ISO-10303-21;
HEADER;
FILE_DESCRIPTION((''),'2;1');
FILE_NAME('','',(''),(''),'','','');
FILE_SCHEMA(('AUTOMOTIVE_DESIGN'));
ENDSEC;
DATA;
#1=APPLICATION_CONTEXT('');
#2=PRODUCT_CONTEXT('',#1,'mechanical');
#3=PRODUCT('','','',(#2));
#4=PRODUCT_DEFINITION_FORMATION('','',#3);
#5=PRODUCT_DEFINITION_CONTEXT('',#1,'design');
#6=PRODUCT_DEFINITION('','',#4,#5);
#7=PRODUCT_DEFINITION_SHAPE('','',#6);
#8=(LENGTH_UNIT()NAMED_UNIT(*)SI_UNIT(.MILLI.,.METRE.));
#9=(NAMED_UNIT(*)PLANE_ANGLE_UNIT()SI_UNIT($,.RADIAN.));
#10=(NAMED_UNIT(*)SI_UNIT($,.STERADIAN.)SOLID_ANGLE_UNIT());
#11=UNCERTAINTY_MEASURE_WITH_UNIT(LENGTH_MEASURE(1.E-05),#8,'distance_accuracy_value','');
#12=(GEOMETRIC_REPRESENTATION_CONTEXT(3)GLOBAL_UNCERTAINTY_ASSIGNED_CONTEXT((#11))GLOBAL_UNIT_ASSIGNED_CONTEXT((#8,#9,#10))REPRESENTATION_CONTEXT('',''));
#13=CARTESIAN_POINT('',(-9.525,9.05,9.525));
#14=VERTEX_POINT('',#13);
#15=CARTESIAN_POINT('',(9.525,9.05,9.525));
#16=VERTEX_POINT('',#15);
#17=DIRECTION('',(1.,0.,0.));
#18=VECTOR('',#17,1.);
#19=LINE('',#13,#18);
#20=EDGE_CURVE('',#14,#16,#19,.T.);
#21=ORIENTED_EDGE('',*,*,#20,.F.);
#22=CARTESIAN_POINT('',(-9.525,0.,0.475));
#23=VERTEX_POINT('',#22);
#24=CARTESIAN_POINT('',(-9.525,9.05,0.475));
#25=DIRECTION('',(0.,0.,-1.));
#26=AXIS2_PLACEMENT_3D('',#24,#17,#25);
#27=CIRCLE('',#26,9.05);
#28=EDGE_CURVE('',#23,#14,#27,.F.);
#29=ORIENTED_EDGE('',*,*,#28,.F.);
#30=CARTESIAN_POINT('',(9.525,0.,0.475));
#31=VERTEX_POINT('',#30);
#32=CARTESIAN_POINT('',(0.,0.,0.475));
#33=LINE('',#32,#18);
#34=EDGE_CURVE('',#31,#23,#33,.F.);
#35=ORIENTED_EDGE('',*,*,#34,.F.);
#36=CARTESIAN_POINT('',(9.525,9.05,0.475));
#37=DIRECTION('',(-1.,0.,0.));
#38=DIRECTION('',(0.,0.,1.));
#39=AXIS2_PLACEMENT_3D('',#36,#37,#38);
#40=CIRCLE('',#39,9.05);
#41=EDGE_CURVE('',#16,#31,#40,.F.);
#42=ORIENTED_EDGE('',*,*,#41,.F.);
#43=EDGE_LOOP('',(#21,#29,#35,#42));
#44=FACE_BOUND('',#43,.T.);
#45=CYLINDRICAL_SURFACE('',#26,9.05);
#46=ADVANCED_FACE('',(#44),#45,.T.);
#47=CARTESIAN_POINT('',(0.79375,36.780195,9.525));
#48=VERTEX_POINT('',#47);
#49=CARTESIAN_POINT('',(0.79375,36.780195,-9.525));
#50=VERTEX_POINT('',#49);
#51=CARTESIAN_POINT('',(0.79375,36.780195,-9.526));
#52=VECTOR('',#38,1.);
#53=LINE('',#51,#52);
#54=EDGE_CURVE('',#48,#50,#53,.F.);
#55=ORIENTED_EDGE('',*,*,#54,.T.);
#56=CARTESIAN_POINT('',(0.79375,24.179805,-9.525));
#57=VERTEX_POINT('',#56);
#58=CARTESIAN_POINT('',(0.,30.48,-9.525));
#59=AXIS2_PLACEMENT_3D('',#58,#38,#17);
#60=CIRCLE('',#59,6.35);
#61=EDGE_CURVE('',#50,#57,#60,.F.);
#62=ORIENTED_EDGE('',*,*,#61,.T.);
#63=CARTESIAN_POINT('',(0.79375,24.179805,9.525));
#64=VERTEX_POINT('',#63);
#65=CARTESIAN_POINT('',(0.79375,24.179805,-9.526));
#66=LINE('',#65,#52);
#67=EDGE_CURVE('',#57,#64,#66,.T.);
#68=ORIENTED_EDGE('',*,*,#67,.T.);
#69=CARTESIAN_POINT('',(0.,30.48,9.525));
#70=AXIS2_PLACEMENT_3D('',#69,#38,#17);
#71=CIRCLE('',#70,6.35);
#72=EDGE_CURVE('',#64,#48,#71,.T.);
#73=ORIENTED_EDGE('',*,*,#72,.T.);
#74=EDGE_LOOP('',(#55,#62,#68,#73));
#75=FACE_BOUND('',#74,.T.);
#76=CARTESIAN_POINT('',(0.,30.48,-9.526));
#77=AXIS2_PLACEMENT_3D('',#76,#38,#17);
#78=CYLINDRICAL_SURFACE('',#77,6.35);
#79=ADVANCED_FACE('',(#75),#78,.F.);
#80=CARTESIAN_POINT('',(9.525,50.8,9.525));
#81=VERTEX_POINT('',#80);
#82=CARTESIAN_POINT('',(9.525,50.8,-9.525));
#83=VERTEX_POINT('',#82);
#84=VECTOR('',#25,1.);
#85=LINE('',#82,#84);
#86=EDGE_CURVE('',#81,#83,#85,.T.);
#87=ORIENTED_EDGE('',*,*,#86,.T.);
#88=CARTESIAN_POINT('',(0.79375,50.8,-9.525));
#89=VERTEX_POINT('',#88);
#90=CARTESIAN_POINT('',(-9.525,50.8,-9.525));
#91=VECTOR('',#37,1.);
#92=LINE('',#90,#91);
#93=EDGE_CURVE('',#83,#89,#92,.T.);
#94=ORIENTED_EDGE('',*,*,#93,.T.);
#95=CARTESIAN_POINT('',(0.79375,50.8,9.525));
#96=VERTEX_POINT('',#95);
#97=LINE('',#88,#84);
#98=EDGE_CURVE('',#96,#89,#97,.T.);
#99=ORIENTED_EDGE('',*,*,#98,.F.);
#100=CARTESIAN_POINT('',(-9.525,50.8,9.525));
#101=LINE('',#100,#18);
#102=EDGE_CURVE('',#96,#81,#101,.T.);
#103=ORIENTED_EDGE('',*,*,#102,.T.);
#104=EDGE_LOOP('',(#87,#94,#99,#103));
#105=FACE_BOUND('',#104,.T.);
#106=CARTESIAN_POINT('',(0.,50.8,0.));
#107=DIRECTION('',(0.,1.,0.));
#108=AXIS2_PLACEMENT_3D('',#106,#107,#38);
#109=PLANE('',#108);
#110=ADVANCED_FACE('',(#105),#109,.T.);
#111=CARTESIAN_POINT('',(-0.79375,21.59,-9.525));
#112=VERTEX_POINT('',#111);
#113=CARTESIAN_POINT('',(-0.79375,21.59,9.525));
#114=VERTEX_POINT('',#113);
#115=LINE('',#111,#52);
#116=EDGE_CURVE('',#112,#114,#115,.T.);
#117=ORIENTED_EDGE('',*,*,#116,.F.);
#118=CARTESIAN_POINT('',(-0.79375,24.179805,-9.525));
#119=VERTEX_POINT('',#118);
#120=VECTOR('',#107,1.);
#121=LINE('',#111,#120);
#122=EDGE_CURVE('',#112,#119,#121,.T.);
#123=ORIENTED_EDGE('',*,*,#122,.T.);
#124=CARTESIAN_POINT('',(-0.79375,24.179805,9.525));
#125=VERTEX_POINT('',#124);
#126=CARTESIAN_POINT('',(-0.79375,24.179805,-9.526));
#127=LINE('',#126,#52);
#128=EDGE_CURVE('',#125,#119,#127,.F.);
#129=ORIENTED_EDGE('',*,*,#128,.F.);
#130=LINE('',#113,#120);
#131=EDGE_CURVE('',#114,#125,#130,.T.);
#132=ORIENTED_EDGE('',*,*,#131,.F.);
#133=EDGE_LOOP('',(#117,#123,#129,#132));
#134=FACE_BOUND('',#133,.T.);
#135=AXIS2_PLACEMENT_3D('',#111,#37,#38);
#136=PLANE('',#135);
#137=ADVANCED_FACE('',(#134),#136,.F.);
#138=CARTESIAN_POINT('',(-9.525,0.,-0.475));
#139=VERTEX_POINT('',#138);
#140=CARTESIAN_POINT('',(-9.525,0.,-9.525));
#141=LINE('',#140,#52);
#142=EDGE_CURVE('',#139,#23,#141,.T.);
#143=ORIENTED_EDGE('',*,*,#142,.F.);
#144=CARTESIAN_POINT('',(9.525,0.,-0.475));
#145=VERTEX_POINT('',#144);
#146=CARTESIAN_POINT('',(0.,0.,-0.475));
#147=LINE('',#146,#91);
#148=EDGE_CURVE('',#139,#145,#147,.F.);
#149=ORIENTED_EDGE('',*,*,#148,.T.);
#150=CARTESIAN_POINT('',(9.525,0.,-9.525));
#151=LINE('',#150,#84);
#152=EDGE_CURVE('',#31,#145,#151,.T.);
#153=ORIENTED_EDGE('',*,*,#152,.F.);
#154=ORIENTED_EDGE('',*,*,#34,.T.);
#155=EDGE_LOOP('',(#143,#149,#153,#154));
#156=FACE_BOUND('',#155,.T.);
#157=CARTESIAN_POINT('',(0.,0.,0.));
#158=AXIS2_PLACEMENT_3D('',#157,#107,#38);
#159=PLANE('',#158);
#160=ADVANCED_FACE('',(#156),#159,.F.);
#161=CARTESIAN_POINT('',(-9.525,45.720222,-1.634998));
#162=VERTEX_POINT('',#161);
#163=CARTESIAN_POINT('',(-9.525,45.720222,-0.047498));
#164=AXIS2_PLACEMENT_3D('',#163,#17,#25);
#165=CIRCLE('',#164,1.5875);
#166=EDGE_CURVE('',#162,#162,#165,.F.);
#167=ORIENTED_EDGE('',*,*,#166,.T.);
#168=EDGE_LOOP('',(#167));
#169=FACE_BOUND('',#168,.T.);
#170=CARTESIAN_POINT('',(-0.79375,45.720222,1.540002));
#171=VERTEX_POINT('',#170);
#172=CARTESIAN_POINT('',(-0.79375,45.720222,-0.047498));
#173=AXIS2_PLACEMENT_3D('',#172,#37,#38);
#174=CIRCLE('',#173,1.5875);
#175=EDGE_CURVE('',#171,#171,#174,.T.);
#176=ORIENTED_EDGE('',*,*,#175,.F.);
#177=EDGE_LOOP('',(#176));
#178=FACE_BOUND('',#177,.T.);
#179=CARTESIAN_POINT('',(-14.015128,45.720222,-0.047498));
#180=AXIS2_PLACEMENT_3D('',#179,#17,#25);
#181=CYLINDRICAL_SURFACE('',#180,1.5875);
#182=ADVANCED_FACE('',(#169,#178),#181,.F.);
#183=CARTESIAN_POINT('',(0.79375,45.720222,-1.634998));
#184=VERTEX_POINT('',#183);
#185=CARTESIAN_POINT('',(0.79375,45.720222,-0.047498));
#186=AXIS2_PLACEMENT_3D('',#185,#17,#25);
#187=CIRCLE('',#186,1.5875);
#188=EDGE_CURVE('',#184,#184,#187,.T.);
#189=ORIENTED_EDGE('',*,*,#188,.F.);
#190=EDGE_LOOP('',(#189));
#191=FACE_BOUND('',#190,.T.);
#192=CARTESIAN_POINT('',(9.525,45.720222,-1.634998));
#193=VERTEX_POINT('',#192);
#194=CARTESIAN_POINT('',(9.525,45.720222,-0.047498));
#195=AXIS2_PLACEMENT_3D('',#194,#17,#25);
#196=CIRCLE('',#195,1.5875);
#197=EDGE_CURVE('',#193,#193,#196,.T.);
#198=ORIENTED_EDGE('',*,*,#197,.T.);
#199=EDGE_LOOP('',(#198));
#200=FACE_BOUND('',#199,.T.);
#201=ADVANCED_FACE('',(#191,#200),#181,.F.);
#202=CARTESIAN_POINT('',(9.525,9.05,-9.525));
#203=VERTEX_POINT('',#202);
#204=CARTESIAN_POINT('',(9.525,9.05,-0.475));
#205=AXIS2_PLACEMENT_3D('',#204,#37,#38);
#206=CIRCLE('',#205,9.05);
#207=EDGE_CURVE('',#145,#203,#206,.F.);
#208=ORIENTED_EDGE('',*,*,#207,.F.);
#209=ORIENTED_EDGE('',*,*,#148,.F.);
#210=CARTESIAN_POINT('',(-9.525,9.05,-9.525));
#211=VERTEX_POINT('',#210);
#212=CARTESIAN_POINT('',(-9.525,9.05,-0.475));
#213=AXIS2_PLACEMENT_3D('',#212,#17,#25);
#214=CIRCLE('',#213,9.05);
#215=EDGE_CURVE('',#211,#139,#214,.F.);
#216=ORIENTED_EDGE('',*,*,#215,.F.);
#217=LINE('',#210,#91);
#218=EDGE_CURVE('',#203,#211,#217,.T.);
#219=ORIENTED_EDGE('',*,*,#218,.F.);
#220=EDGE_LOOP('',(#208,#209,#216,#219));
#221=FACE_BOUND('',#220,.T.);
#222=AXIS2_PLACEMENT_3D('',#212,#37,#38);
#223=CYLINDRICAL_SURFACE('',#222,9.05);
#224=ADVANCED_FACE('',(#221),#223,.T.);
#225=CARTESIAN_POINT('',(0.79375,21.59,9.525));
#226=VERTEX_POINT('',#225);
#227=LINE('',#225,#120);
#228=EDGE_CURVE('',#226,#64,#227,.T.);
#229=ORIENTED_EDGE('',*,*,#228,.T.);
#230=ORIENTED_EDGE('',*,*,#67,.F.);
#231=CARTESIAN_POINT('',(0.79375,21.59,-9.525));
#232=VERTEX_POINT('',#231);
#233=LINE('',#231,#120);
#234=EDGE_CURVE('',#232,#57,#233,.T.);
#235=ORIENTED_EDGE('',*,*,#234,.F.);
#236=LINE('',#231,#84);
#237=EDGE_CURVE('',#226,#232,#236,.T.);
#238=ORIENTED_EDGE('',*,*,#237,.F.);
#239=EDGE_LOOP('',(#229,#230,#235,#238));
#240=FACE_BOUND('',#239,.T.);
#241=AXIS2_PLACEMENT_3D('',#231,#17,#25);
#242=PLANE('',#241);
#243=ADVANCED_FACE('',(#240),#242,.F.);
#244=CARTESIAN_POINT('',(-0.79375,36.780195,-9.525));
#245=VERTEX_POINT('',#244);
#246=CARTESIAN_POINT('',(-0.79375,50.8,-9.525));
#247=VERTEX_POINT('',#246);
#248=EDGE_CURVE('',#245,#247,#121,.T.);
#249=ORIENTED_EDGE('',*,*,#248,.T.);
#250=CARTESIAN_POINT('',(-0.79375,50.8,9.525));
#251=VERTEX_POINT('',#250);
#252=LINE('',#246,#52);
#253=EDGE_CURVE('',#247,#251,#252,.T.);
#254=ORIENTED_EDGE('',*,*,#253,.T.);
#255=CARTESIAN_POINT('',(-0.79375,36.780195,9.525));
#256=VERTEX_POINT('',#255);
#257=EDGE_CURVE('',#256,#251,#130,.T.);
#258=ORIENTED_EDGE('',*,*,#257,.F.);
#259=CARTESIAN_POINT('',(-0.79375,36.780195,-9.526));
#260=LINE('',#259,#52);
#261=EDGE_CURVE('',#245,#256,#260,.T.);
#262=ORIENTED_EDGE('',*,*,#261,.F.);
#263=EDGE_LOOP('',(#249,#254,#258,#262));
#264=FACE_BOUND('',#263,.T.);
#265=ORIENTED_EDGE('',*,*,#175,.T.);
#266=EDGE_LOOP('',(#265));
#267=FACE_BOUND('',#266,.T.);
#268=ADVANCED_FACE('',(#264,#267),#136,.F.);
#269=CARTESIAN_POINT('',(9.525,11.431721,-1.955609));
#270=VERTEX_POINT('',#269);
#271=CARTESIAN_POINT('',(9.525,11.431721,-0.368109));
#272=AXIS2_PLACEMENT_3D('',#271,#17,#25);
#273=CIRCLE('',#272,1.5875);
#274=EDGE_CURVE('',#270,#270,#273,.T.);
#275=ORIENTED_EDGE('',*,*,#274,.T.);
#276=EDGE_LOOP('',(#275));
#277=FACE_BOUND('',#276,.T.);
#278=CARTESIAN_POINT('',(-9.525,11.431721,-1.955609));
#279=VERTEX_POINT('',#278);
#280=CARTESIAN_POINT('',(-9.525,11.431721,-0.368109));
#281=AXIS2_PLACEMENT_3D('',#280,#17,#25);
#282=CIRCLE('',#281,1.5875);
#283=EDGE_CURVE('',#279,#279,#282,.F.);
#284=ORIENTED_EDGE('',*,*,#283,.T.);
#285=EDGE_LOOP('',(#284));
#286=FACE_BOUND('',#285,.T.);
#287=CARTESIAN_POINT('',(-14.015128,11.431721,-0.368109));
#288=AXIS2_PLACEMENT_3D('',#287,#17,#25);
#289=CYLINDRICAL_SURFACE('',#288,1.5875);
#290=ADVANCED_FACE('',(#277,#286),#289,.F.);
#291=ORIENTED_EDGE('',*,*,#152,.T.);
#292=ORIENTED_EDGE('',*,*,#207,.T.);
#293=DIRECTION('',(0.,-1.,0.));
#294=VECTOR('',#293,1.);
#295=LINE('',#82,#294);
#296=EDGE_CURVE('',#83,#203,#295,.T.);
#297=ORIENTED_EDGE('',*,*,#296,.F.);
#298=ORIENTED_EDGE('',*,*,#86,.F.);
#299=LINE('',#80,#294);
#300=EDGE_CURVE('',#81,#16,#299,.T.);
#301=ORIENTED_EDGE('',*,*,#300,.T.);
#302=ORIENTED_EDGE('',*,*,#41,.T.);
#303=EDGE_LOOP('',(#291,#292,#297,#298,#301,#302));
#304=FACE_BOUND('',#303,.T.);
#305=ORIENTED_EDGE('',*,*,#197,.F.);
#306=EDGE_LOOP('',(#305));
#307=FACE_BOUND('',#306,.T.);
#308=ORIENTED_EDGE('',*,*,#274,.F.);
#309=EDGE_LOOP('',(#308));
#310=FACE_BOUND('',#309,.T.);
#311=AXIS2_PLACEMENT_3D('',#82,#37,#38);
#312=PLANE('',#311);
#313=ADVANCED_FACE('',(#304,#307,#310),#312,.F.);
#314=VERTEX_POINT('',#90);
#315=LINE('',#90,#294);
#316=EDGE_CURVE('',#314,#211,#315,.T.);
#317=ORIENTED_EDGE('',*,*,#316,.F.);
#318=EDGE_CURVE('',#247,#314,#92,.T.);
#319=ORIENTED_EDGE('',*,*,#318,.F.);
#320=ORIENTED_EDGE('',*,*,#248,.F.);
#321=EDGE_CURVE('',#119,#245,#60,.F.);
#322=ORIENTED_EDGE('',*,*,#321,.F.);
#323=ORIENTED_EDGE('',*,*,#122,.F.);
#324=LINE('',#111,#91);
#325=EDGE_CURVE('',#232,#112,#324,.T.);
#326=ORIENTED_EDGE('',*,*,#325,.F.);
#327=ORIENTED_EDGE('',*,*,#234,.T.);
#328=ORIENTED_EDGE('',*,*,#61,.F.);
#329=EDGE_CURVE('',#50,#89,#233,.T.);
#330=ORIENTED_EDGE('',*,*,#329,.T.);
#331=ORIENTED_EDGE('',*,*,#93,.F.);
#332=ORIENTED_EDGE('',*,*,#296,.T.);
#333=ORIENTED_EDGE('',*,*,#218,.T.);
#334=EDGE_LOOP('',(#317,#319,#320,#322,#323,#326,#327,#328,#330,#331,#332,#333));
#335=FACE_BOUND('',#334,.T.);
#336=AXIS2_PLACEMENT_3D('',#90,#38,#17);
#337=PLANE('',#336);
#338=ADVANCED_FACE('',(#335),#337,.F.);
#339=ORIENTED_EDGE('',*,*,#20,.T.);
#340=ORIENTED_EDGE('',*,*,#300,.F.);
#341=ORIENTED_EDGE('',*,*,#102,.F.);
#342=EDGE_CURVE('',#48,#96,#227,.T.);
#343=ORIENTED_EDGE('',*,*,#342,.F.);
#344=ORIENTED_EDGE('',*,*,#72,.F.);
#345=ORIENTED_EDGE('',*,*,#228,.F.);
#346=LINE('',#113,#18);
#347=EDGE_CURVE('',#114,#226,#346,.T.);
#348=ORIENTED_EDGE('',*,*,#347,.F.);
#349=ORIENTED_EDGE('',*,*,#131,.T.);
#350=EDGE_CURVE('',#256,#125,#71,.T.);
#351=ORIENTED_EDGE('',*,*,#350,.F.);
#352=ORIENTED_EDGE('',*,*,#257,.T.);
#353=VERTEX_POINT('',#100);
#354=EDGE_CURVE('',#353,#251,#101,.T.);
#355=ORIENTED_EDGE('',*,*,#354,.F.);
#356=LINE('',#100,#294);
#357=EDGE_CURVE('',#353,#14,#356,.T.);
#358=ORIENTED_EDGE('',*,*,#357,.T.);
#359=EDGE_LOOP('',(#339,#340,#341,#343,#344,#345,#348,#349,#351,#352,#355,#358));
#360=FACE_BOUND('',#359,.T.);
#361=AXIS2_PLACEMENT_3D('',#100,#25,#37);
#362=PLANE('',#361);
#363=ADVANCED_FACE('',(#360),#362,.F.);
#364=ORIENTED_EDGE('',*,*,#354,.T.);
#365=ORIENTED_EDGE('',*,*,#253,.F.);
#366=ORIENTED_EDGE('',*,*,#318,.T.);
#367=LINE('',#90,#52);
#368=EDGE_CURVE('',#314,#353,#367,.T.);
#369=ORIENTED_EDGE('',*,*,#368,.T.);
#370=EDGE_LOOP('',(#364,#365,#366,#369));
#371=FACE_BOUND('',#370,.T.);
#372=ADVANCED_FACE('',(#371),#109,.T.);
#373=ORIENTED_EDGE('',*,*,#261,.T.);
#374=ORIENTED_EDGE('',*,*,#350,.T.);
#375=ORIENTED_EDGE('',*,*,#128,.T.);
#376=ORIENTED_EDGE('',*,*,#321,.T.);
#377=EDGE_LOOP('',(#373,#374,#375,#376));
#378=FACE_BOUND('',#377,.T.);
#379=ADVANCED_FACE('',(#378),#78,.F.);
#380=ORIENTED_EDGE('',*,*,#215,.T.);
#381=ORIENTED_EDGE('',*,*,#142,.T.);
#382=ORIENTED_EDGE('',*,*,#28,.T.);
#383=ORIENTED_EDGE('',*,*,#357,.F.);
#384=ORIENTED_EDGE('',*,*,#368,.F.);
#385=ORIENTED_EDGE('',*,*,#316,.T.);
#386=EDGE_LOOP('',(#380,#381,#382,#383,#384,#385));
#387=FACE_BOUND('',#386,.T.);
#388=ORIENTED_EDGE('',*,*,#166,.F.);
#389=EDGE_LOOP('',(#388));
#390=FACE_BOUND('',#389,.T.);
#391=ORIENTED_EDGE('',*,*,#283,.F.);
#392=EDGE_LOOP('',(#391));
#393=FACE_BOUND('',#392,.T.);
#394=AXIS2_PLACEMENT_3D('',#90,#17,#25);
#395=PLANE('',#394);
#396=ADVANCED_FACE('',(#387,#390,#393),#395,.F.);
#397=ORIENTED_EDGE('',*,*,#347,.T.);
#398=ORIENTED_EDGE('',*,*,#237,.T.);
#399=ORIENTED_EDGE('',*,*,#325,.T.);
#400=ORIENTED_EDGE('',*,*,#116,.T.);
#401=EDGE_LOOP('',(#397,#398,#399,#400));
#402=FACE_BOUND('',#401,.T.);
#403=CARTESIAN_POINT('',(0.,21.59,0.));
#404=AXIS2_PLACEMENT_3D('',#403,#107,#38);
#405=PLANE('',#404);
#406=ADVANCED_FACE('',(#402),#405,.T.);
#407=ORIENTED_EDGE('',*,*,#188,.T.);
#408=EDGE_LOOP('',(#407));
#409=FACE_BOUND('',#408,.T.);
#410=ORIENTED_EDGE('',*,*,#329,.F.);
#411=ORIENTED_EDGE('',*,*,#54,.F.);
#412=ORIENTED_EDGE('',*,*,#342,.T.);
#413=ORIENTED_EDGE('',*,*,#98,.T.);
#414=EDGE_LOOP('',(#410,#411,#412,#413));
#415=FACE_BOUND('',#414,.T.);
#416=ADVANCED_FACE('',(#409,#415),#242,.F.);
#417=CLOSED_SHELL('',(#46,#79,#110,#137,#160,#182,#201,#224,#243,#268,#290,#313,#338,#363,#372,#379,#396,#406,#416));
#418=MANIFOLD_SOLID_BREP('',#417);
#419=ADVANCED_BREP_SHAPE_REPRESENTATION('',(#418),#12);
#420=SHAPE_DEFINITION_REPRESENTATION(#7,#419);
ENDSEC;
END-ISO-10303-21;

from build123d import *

# Parameters (mm, degrees)
SKETCH1_W           = 19.05
SKETCH1_H           = 19.05
BOSS_EXTRUDE1_DEPTH = 50.8
SKETCH4_W           = 1.5875
SKETCH4_H           = 19.05
CUT_EXTRUDE1_DEPTH  = 29.21
CUT_EXTRUDE2_START  = -19.05
SKETCH5_R           = 6.35
CUT_EXTRUDE2_DEPTH  = 19.05
FILLET3_R           = 9.05
SKETCH6_R           = 1.5875
CUT_EXTRUDE3_DEPTH  = 19.05


with BuildPart() as part:
    # Sketch1 → Boss-Extrude1 (new body)
    with BuildSketch(Plane(origin=(0, 0, 0), x_dir=(1, 0, 0), z_dir=(0, 1, 0))):
        Rectangle(SKETCH1_W, SKETCH1_H)
    extrude(amount=BOSS_EXTRUDE1_DEPTH)

    # Sketch4 → Cut-Extrude1 (cut)
    with BuildSketch(Plane(origin=(0, 50.8, 0), x_dir=(1, 0, 0), z_dir=(0, 1, 0))):
        Rectangle(SKETCH4_W, SKETCH4_H)
    extrude(amount=-CUT_EXTRUDE1_DEPTH, mode=Mode.SUBTRACT)

    # Sketch5 → Cut-Extrude2 (cut)
    with BuildSketch(Plane.XY.offset(9.525).offset(CUT_EXTRUDE2_START)):
        with Locations((0, 30.48)):
            Circle(SKETCH5_R)
    extrude(amount=CUT_EXTRUDE2_DEPTH, mode=Mode.SUBTRACT)

    # Fillet3
    fillet3_edges = [part.edges().sort_by_distance(p)[0] for p in [
        (0, 0, 9.525),
        (0, 0, -9.525),
    ]]
    fillet(fillet3_edges, radius=FILLET3_R)

    # Sketch6 → Cut-Extrude3 (cut)
    with BuildSketch(Plane(origin=(9.525, 0, 0), x_dir=(0, 0, -1), z_dir=(1, 0, 0))):
        with Locations((0.047497924, 45.720222057)):
            Circle(SKETCH6_R)
        with Locations((0.368108908, 11.431720944)):
            Circle(SKETCH6_R)
    extrude(amount=-CUT_EXTRUDE3_DEPTH, mode=Mode.SUBTRACT)


solid = part.part
